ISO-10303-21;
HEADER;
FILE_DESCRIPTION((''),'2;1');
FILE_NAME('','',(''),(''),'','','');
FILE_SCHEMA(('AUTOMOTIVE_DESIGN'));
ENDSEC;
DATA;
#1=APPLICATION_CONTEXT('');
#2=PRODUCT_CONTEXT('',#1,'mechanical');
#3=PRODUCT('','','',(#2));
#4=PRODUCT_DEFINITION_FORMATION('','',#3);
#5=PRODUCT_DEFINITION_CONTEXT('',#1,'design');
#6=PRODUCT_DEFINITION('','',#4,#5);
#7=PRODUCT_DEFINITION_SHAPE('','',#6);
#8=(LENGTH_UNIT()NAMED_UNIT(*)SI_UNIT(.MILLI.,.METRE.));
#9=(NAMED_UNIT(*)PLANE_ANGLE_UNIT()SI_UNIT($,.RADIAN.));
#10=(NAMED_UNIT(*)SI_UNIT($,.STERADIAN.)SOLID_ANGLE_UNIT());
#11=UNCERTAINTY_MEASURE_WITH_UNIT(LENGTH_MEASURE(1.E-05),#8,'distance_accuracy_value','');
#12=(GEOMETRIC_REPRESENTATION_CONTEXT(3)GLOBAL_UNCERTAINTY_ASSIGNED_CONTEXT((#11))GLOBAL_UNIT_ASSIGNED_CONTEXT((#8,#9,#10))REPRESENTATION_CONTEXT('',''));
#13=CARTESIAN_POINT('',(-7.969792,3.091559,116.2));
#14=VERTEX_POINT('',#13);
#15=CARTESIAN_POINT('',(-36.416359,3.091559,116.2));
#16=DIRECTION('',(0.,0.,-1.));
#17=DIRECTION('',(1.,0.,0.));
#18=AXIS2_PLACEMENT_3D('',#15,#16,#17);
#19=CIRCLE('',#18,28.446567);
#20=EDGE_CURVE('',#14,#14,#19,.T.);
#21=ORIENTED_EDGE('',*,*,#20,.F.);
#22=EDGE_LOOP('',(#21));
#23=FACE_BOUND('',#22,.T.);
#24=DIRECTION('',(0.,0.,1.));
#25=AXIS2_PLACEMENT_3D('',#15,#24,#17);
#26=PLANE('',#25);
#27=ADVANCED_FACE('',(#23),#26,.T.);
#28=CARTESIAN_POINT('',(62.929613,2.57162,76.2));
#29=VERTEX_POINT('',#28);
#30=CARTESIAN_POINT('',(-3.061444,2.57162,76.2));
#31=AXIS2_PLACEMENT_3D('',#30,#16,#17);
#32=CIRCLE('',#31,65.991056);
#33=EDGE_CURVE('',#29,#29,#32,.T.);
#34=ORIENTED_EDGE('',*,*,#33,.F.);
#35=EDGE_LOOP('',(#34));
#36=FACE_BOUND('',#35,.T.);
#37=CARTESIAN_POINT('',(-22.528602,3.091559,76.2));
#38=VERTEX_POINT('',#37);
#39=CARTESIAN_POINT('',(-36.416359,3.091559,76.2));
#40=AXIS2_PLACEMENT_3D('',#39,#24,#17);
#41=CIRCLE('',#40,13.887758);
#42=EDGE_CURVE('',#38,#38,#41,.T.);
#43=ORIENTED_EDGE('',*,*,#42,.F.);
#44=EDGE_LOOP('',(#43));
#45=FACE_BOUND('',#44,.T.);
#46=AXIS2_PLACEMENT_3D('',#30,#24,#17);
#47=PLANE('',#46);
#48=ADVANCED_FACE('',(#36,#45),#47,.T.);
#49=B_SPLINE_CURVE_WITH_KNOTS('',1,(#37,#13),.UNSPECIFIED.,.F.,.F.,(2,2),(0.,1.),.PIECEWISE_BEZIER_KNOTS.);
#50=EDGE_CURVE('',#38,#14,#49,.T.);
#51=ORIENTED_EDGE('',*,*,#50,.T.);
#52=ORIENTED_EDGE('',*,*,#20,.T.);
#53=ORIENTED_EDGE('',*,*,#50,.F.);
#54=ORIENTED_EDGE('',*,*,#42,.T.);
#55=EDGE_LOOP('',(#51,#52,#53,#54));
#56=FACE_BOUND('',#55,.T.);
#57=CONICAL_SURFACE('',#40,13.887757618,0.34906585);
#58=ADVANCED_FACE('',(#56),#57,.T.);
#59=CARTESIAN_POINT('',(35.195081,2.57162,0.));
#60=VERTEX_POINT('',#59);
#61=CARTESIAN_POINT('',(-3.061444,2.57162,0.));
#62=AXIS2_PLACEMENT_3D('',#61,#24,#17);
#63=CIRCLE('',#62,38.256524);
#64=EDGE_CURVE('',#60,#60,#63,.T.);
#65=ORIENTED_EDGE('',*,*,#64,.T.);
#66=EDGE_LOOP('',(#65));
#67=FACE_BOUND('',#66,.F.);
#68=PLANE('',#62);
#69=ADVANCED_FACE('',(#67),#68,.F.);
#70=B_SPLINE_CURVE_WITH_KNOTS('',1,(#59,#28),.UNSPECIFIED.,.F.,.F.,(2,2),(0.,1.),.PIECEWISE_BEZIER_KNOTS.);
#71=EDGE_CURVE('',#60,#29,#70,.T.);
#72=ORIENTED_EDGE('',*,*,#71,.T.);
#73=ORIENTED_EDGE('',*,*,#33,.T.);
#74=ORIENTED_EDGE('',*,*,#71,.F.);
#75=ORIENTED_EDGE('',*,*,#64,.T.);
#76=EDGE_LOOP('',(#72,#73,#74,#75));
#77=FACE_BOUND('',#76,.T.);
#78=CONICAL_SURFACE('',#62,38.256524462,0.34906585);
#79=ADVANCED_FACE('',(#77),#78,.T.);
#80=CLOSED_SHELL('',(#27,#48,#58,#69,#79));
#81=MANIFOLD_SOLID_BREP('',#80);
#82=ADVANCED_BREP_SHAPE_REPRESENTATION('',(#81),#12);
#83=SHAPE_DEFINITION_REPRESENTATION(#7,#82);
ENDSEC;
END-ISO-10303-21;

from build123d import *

# Parameters (mm, degrees)
F0_R     = 38.2565244621
F1_DEPTH = 76.2
F1_TAPER = -20
F2_R     = 13.8877576184
F3_DEPTH = 40
F3_TAPER = -20


with BuildPart() as f1:
    # F0 (on Top) → F1 (new body)
    with BuildSketch(Plane.XY):
        with Locations((-3.0614435673, 2.5716200471)):
            Circle(F0_R)
    extrude(amount=F1_DEPTH, taper=F1_TAPER)

    # F2 (on face) → F3 (join)
    with BuildSketch(Plane.XY.offset(76.2)):
        with Locations((-36.4163592458, 3.091558814)):
            Circle(F2_R)
    extrude(amount=F3_DEPTH, taper=F3_TAPER)


solid = f1.part
